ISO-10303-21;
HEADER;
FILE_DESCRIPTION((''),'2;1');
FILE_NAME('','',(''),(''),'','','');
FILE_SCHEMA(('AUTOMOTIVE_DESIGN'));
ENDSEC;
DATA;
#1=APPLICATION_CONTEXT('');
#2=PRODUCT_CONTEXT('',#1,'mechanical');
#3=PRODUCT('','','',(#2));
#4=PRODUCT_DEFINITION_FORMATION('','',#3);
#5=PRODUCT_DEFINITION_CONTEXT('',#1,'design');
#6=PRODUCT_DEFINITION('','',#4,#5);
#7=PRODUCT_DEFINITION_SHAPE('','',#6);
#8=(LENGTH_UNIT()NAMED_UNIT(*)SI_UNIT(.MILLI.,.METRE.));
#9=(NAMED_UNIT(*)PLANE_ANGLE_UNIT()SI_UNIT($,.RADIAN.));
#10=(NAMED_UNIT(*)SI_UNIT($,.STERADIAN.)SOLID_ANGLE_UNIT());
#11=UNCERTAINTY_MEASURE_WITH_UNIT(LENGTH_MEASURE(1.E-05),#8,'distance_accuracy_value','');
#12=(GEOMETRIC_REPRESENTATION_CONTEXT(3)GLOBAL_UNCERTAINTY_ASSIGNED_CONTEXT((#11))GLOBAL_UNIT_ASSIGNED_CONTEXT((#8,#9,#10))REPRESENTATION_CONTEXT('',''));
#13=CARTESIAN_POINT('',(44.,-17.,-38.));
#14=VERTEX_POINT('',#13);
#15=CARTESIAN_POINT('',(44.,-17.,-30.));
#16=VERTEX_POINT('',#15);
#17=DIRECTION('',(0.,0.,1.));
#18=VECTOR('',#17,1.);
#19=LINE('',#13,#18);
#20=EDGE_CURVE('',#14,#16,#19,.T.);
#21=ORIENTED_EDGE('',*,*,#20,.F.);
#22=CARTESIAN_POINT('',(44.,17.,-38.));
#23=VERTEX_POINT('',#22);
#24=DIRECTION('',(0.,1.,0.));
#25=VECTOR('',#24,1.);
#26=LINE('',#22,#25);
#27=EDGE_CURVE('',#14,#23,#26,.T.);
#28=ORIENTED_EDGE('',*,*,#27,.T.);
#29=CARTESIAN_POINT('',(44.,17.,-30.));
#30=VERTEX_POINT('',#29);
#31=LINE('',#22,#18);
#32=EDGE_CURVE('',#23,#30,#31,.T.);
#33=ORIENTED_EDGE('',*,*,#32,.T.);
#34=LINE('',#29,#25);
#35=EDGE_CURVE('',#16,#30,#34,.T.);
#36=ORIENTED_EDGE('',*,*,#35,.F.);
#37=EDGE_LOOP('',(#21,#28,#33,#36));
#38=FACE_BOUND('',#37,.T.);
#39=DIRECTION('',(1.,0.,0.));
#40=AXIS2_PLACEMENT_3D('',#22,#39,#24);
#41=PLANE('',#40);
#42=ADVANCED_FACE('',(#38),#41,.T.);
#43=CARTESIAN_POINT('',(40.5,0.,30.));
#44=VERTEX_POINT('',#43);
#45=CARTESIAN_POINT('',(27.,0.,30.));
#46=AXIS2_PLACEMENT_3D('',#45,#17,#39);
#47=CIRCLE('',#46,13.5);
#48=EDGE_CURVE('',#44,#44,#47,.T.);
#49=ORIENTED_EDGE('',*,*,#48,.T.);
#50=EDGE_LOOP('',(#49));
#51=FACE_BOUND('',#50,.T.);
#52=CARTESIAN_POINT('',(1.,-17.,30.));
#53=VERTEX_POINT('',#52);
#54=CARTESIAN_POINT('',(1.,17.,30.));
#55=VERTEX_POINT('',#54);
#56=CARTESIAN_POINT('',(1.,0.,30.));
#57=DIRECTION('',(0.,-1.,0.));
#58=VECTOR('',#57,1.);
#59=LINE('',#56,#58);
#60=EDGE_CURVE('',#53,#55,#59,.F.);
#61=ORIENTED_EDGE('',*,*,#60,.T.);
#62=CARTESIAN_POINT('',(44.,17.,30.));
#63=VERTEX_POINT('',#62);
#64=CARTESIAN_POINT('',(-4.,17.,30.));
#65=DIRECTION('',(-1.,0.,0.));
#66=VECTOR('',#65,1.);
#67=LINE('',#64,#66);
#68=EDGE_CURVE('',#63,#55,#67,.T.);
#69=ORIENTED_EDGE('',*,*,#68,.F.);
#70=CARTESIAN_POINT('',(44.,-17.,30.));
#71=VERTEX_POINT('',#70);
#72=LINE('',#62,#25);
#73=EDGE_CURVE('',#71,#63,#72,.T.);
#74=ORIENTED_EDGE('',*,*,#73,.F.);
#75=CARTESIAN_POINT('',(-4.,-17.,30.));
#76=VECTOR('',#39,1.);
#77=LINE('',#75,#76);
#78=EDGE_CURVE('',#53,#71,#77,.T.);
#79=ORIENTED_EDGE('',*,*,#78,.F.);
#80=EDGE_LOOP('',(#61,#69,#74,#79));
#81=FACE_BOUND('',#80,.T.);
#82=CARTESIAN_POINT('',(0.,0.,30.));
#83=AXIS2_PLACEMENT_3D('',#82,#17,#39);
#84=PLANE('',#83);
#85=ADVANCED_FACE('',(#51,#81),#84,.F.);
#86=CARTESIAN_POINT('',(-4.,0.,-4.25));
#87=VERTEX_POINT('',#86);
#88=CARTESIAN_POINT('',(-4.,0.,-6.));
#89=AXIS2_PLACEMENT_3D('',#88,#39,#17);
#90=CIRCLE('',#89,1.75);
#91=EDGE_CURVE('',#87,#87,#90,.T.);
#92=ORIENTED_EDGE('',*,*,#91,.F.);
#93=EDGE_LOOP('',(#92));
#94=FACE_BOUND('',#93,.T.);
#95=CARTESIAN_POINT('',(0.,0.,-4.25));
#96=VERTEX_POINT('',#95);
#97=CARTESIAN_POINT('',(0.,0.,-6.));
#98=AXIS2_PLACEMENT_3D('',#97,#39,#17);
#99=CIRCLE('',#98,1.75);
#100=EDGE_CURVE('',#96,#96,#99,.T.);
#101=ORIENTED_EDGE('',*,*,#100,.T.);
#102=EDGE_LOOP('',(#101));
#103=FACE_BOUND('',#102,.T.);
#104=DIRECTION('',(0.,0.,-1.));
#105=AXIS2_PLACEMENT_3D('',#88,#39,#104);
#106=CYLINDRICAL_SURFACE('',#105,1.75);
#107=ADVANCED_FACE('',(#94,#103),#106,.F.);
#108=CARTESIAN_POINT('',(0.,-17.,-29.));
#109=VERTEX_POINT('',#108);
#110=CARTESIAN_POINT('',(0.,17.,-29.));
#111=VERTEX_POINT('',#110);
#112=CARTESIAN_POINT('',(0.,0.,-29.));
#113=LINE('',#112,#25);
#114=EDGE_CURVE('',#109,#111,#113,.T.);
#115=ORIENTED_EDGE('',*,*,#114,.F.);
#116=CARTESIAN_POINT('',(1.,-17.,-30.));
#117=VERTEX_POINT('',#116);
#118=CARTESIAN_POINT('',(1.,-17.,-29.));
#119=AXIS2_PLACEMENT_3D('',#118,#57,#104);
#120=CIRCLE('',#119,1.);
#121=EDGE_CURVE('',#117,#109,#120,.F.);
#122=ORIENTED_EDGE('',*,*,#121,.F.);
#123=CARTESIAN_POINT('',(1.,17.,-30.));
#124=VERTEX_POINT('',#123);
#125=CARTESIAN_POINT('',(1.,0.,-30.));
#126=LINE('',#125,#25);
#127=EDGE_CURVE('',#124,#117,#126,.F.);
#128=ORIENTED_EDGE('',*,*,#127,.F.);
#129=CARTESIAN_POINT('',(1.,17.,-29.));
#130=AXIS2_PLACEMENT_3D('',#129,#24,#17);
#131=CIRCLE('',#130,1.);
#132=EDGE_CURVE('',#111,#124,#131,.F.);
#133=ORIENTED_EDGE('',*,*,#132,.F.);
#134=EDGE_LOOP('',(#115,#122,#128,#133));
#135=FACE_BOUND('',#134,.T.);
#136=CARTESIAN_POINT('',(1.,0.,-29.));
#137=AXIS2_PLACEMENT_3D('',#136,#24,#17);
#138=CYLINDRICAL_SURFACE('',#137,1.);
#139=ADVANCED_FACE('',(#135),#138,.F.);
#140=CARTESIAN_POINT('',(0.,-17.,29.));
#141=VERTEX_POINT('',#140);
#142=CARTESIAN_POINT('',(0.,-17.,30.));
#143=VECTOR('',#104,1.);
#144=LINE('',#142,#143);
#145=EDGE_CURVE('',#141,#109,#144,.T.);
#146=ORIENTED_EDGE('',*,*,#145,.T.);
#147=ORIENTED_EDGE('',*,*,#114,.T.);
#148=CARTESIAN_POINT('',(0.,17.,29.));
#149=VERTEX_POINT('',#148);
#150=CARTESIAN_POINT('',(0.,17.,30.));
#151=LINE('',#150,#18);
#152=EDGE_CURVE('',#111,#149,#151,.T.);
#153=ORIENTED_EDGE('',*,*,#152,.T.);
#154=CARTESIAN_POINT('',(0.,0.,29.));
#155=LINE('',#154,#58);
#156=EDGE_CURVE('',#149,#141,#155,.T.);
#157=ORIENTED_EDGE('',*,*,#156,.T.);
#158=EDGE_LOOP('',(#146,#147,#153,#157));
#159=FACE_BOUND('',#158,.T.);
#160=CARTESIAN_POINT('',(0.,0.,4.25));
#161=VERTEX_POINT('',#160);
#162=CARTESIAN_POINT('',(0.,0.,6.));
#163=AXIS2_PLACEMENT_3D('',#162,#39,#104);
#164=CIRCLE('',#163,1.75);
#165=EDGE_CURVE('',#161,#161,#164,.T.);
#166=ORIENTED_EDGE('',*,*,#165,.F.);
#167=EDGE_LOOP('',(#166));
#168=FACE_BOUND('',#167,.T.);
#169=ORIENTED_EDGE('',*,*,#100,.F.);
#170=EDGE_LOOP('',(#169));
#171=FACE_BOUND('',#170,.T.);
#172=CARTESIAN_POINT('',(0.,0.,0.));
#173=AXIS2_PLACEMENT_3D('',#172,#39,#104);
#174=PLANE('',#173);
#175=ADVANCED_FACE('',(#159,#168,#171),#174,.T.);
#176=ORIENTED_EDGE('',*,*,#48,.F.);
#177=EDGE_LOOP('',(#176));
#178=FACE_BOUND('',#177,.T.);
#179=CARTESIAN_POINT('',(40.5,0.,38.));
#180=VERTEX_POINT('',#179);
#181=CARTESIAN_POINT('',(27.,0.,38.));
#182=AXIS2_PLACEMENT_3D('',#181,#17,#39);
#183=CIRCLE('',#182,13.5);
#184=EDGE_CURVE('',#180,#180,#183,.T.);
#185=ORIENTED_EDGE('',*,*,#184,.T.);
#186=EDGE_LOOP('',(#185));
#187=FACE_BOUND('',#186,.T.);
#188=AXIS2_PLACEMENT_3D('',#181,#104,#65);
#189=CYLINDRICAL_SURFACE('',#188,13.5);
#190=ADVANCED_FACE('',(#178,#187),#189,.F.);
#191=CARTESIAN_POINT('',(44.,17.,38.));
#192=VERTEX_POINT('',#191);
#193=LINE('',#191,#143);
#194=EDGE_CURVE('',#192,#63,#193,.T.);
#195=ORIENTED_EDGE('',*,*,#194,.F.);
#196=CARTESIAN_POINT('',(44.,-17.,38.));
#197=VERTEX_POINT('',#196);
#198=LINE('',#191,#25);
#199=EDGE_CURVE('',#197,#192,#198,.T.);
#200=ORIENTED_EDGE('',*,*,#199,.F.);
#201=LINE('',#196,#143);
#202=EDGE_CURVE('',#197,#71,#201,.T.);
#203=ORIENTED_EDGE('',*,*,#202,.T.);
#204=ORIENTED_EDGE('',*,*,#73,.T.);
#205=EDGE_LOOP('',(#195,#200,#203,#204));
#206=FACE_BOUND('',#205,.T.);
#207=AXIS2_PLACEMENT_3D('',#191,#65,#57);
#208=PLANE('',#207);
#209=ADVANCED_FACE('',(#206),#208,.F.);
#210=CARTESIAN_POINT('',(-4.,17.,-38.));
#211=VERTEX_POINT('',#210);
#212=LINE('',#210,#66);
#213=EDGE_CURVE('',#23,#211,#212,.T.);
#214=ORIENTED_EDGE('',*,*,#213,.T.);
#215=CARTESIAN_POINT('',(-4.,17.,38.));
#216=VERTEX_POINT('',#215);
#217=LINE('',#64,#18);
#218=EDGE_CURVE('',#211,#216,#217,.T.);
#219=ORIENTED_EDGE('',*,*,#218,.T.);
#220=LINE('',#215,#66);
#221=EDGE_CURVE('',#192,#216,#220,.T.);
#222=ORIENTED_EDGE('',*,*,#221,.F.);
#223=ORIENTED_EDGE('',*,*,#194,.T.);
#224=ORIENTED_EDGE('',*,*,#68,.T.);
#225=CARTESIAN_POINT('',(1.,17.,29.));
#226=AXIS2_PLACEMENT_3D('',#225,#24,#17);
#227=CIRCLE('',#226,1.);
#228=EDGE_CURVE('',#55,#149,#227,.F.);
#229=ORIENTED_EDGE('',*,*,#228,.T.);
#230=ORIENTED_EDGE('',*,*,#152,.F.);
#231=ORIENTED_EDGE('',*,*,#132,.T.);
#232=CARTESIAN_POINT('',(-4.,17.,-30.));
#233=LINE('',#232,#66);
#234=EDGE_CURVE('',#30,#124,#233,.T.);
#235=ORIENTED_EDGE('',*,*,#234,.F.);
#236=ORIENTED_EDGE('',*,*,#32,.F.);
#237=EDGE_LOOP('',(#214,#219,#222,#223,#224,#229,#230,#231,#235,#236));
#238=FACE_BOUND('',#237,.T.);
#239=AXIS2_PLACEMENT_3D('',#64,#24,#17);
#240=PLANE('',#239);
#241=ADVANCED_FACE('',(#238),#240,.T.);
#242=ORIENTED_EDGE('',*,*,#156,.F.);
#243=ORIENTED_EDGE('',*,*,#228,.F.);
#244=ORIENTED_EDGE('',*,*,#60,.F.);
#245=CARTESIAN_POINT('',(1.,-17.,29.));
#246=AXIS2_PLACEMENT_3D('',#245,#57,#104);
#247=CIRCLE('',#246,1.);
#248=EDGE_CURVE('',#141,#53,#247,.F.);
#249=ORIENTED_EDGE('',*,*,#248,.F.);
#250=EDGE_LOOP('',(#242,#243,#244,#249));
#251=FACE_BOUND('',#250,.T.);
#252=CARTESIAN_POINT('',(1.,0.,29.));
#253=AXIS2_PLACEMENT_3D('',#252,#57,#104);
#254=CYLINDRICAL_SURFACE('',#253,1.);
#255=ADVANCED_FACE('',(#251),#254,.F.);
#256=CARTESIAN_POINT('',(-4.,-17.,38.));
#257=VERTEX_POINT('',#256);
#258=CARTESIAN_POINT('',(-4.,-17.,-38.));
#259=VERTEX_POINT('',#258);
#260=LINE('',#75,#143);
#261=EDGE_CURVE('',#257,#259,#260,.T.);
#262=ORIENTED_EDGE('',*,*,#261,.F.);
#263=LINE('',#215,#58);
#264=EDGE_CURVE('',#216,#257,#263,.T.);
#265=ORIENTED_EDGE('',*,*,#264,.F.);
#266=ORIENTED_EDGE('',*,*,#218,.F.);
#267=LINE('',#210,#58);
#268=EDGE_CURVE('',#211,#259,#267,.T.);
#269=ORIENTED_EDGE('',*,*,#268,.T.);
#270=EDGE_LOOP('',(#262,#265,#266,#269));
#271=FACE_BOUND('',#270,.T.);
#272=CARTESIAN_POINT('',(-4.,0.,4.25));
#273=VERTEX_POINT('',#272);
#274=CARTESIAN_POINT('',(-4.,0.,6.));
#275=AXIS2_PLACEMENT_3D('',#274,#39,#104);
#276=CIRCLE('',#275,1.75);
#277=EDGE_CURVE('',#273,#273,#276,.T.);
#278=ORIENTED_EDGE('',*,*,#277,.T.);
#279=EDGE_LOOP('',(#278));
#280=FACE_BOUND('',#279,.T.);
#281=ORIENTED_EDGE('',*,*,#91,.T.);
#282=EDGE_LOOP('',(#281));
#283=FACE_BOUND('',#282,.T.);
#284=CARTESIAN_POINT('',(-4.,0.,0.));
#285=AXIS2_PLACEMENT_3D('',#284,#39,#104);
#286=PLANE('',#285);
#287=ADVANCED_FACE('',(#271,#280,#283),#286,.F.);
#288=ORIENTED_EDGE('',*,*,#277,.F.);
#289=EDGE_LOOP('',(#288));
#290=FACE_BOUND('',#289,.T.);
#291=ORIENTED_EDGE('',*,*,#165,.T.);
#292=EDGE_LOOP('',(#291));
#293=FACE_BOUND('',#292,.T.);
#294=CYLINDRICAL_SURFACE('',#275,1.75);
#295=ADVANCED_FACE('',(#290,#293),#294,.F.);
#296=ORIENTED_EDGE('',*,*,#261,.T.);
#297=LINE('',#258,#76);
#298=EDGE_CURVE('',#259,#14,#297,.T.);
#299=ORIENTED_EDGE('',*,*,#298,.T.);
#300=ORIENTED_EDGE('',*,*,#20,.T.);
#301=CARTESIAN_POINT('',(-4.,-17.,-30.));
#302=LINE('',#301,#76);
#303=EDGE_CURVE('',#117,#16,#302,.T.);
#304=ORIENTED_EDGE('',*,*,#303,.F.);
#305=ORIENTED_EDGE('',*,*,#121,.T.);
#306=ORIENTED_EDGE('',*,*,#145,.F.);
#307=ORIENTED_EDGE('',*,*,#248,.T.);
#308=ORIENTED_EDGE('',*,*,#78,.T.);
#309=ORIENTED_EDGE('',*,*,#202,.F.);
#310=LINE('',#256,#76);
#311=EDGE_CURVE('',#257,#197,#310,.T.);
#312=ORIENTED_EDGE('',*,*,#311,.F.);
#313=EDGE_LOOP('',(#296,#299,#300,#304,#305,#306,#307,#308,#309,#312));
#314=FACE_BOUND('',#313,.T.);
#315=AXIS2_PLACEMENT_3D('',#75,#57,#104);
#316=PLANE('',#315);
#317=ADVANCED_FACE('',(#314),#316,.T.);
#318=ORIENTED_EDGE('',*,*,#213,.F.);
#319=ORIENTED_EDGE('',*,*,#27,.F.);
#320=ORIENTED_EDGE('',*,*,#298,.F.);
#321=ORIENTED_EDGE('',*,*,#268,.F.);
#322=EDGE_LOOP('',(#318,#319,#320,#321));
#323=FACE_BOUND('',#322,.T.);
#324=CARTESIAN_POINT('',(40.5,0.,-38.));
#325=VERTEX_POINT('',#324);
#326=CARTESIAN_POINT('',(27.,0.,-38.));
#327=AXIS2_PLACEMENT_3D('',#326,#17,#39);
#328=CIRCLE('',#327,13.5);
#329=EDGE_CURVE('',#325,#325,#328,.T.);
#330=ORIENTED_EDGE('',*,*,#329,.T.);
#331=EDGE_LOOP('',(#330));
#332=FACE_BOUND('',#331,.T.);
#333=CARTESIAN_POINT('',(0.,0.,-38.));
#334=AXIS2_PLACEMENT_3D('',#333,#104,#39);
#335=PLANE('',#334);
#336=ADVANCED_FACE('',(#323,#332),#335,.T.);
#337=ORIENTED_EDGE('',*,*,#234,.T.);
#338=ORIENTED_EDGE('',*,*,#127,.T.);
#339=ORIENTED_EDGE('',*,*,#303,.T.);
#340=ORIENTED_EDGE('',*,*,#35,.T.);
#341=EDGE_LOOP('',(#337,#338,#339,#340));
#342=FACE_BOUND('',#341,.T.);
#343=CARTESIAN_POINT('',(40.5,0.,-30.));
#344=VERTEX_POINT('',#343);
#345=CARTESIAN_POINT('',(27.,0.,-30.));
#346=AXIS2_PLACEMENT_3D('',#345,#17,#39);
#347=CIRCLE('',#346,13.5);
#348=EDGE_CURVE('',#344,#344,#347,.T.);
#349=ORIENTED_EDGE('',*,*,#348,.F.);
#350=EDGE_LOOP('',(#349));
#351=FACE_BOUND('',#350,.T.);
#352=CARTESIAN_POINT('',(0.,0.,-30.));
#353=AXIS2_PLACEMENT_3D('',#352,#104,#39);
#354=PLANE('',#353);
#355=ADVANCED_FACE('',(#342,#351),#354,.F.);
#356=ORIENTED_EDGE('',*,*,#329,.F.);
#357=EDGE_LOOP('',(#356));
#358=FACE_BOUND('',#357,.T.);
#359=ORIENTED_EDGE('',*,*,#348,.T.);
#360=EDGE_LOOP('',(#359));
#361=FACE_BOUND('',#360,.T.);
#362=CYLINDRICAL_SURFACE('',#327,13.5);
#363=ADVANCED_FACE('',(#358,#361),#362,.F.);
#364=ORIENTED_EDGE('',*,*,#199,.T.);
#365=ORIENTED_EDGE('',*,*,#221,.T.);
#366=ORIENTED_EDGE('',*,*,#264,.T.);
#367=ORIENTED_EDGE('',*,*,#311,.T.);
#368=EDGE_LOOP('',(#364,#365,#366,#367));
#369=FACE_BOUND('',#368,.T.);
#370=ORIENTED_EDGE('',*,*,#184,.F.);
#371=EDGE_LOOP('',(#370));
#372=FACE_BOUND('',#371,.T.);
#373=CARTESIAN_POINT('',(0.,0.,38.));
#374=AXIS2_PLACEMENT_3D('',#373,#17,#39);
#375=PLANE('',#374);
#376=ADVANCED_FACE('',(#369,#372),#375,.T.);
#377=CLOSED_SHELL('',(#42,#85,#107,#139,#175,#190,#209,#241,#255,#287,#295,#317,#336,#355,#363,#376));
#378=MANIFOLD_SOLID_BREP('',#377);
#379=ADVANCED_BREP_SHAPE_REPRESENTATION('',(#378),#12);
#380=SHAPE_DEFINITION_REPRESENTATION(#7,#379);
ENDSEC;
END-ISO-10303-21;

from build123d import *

# Parameters (mm, degrees)
SKETCH1_W           = 60
SKETCH1_H           = 34
SKETCH1_R           = 1.75
BOSS_EXTRUDE1_DEPTH = 4
SKETCH3_W           = 48
SKETCH3_H           = 34
SKETCH3_R           = 13.5
BOSS_EXTRUDE2_DEPTH = 8
FILLET4_R           = 1
FILLET5_R           = 1


with BuildPart() as part:
    # Sketch1 → Boss-Extrude1 (new body)
    with BuildSketch(Plane(origin=(0, 0, 0), x_dir=(0, 0, -1), z_dir=(1, 0, 0))):
        Rectangle(SKETCH1_W, SKETCH1_H)
        with Locations((-6, 0)):
            Circle(SKETCH1_R, mode=Mode.SUBTRACT)
        with Locations(Location((6, 0, 0), (0, 0, 180))):
            Circle(SKETCH1_R, mode=Mode.SUBTRACT)
    extrude(amount=-BOSS_EXTRUDE1_DEPTH)

    # Sketch3 → Boss-Extrude2 (add)
    with BuildSketch(Plane.XY.offset(30)):
        with Locations((20, 0)):
            Rectangle(SKETCH3_W, SKETCH3_H)
        with Locations((27, 0)):
            Circle(SKETCH3_R, mode=Mode.SUBTRACT)
    boss_extrude2 = extrude(amount=BOSS_EXTRUDE2_DEPTH)

    # Mirror1: Boss-Extrude2 across plane
    add(boss_extrude2.mirror(Plane(origin=(0, 0, 0), x_dir=(1, 0, 0), z_dir=(0, 0, -1))))

    # Fillet4
    fillet4_edges = [part.edges().sort_by_distance(p)[0] for p in [
        (0, 0, 30),
    ]]
    fillet(fillet4_edges, radius=FILLET4_R)

    # Fillet5
    fillet5_edges = [part.edges().sort_by_distance(p)[0] for p in [
        (0, 0, -30),
    ]]
    fillet(fillet5_edges, radius=FILLET5_R)


solid = part.part
